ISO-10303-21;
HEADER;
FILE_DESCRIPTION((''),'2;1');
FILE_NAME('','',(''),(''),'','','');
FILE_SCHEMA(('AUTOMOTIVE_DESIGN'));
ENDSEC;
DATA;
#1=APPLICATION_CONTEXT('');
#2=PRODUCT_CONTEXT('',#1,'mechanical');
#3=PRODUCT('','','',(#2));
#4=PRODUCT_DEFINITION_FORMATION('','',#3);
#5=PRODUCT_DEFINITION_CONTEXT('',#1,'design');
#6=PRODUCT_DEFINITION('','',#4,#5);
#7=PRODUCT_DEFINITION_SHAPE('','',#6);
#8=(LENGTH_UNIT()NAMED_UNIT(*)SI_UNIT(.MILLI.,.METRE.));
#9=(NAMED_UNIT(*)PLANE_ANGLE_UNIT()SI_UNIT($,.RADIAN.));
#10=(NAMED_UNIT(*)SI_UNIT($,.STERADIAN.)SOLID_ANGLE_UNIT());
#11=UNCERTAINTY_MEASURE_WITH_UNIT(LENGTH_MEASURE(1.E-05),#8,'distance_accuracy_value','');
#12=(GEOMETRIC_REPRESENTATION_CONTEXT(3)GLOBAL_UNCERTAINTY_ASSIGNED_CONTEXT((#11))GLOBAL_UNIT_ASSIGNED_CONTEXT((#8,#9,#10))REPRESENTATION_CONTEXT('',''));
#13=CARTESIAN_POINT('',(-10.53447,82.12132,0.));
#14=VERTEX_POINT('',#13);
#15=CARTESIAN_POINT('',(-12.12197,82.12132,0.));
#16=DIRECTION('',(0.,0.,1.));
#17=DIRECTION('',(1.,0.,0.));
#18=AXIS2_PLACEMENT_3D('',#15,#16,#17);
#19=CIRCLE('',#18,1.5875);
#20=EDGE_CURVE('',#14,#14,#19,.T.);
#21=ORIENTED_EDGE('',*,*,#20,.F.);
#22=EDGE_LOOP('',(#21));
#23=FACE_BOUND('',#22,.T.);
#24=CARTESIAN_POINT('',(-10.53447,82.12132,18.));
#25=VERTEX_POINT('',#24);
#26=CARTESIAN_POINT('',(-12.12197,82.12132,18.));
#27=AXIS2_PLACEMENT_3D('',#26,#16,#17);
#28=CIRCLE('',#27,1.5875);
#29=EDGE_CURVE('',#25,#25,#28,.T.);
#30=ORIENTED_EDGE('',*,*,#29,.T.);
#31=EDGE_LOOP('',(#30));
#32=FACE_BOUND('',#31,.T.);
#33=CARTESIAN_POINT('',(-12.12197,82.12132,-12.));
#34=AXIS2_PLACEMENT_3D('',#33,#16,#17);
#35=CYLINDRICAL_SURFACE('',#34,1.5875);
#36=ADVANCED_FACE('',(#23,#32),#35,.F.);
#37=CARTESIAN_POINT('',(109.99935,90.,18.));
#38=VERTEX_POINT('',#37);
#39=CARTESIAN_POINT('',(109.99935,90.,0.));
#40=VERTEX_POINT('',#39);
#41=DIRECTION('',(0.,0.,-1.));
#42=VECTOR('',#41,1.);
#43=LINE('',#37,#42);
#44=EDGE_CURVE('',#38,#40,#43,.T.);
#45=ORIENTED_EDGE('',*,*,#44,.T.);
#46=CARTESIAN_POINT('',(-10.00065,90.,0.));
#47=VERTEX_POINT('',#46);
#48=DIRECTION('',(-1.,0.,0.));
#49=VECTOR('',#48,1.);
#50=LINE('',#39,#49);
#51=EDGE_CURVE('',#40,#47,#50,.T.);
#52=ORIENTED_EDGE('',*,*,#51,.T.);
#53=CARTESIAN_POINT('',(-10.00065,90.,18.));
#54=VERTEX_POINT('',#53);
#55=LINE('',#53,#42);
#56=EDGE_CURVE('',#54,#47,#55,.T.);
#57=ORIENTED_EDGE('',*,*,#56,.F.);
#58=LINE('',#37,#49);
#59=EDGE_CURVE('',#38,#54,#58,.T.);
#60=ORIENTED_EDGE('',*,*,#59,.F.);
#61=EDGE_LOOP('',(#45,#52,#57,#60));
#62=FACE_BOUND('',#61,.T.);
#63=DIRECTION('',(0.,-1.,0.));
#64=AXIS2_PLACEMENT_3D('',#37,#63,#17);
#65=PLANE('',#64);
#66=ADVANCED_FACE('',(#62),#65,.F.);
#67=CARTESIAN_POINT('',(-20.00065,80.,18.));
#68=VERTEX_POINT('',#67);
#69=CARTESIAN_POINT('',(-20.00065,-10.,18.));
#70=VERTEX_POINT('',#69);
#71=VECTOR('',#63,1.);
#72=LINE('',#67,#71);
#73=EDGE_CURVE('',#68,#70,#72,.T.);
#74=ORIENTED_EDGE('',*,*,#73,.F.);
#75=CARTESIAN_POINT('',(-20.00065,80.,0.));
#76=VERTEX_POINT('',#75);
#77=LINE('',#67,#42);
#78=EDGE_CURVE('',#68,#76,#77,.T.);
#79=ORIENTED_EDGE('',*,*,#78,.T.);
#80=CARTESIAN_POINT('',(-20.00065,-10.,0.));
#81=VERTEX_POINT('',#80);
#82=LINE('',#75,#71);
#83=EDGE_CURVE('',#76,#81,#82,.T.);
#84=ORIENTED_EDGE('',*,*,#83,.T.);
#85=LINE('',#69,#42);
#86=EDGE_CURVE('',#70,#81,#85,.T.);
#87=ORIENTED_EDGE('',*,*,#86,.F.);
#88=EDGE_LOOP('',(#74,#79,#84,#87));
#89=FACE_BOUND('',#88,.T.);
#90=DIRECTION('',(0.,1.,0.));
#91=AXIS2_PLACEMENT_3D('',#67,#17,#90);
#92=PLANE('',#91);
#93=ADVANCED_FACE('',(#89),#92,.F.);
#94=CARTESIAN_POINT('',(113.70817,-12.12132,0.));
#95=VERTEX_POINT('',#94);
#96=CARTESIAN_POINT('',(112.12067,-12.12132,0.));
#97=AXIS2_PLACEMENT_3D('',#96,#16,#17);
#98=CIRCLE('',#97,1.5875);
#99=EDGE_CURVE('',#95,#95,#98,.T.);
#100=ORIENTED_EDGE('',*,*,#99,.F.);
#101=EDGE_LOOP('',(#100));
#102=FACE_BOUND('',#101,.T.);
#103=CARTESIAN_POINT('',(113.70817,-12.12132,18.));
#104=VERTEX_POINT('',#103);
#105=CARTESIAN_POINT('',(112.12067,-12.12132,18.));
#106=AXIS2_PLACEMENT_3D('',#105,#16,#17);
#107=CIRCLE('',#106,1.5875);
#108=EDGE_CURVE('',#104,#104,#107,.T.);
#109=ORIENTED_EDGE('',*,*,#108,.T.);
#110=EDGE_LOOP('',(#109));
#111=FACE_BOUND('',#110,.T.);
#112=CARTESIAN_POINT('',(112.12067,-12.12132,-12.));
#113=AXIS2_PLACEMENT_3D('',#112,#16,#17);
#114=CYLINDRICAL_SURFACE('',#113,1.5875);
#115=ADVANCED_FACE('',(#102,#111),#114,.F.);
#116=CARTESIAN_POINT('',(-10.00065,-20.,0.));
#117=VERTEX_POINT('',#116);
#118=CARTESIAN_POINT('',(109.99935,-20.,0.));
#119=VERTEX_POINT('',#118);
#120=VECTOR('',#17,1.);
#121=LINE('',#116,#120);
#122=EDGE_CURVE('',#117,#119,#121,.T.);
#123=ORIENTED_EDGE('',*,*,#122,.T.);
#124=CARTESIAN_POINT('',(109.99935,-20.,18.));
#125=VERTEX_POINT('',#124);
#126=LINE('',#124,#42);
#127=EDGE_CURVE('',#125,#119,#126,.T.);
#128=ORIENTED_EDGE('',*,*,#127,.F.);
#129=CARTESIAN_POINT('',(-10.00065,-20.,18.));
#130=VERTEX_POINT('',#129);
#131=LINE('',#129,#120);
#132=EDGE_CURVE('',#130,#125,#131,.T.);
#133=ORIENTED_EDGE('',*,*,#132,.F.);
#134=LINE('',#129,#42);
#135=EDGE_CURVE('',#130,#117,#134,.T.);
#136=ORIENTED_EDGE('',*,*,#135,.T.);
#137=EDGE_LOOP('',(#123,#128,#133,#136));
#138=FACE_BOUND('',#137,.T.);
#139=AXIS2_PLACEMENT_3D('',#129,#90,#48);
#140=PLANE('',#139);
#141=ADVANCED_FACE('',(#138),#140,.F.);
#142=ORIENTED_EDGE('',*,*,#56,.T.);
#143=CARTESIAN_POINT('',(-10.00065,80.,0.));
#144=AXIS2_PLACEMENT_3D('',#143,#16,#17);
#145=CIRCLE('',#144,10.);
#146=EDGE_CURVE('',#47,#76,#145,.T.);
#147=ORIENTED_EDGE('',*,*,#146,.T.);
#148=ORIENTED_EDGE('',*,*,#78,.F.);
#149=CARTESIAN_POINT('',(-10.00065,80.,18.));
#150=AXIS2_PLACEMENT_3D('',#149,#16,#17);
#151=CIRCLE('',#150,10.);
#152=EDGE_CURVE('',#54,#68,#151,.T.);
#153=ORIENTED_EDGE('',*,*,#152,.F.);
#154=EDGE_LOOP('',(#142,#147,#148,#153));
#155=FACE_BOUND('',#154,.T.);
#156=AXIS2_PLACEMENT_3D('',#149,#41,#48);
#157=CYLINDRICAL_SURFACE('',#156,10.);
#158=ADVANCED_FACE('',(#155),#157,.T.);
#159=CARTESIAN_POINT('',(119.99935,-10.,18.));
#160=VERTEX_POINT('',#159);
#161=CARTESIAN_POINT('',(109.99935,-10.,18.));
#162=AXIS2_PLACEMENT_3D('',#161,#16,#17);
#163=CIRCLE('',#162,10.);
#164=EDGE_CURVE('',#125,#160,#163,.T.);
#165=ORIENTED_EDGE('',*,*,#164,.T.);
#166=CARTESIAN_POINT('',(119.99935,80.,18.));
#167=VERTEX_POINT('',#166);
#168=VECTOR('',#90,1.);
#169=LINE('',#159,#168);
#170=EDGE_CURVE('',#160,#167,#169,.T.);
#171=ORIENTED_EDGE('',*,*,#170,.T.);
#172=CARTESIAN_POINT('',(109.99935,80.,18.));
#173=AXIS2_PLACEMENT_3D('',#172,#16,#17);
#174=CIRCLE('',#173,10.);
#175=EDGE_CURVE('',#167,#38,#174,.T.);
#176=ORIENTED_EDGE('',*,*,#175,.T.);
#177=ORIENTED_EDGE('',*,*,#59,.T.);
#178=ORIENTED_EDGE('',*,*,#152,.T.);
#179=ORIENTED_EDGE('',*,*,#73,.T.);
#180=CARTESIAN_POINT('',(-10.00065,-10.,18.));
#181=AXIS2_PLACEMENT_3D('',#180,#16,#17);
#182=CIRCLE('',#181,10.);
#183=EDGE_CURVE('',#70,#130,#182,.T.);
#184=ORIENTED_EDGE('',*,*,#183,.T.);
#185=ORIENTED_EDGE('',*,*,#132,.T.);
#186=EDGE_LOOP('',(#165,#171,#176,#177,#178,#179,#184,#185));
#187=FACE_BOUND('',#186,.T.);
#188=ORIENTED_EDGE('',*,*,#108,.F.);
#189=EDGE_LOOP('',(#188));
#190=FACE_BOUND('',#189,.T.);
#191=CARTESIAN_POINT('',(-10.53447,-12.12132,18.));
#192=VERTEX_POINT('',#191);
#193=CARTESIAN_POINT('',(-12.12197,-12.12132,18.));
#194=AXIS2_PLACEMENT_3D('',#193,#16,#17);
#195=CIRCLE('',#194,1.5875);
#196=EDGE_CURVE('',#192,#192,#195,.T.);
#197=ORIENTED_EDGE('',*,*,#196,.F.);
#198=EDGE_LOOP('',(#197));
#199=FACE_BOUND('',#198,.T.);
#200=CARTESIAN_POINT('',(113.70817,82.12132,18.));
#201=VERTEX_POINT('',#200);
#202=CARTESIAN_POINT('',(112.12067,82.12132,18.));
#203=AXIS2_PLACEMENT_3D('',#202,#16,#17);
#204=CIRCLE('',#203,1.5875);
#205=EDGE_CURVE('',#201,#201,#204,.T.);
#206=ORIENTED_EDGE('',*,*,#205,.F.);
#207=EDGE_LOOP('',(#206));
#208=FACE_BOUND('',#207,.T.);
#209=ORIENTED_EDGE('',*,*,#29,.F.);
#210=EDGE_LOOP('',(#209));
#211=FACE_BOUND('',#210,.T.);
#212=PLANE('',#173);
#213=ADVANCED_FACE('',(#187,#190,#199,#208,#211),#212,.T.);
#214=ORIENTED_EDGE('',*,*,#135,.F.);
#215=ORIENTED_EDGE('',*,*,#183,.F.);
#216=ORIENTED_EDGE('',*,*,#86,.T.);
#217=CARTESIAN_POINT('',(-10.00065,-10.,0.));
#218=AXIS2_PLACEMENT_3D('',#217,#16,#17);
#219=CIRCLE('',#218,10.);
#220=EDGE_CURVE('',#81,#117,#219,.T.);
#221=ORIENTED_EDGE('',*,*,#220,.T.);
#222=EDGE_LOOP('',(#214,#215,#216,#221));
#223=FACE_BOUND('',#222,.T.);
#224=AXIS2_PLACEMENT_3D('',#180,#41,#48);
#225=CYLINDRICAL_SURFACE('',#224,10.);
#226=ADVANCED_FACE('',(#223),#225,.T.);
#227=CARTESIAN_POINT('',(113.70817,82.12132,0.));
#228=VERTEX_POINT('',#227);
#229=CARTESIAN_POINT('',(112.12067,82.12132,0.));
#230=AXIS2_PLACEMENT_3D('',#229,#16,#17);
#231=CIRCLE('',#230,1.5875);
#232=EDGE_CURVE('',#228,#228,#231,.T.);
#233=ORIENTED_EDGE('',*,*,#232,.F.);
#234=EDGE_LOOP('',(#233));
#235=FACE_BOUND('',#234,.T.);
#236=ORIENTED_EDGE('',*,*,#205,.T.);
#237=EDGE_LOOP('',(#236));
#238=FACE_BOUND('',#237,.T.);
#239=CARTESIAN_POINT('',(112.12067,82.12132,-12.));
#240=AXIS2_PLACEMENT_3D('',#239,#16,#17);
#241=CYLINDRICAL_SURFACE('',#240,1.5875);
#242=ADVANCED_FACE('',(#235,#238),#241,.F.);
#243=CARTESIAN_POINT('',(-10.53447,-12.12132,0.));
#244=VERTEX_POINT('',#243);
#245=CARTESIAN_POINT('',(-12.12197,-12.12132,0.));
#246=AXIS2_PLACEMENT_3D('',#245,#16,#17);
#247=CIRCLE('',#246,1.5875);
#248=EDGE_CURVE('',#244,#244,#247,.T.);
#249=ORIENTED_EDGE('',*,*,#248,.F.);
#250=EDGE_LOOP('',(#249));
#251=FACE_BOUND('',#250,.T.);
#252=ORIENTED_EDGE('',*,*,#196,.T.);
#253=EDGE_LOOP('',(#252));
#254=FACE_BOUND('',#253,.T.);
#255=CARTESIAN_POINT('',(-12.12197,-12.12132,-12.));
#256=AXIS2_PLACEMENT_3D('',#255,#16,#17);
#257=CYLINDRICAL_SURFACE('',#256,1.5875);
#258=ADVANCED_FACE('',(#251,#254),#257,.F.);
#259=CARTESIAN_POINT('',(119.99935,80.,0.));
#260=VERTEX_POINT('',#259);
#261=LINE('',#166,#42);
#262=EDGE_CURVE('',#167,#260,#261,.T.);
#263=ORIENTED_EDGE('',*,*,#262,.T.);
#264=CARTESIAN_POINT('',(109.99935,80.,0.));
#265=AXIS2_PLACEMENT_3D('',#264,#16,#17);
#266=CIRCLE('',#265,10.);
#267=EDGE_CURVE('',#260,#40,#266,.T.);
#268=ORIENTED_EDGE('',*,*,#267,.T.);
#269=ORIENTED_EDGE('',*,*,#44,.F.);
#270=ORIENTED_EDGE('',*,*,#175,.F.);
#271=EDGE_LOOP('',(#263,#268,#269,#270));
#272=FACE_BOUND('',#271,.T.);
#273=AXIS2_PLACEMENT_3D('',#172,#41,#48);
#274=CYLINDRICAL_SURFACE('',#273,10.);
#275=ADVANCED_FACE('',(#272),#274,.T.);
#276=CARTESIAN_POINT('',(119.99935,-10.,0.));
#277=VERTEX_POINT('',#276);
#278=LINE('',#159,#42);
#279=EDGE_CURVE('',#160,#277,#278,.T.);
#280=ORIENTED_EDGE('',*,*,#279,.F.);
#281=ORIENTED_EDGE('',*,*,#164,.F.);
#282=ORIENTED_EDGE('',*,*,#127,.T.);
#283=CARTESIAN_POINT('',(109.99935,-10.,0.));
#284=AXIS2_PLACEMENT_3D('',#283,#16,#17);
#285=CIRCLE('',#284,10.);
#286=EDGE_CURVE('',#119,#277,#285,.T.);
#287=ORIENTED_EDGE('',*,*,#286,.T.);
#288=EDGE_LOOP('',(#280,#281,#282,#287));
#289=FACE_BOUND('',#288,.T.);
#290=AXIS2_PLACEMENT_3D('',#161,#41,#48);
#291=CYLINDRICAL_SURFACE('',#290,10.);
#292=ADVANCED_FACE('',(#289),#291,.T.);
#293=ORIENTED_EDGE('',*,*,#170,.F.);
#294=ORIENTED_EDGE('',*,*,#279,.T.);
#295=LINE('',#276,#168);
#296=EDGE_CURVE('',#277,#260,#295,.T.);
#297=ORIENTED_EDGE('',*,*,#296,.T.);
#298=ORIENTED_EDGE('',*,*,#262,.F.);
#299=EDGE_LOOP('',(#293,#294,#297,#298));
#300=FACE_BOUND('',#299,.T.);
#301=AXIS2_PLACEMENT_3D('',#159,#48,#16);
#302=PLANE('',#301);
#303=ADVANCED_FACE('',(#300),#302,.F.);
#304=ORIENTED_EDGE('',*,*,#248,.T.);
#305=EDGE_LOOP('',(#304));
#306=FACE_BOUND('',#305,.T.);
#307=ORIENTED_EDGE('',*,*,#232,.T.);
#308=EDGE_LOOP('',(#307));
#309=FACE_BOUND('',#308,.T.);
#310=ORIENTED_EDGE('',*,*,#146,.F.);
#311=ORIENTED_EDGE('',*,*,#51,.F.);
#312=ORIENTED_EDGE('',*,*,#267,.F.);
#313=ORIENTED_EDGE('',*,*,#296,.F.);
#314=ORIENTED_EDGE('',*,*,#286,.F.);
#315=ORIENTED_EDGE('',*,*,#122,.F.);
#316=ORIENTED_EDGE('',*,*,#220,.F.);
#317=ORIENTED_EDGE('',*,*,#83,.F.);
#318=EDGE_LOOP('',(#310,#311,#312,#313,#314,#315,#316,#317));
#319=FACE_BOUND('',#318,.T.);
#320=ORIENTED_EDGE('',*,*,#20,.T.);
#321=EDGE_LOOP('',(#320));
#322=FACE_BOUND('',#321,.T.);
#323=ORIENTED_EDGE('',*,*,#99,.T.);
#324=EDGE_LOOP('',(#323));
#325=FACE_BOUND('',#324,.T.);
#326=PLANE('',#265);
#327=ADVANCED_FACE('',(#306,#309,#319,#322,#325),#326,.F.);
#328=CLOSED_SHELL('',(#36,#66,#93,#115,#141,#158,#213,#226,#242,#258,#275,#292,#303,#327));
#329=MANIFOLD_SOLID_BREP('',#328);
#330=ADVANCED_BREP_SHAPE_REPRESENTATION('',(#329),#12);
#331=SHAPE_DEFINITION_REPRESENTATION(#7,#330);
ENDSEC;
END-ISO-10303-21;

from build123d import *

# Parameters (mm, degrees)
BOSS_EXTRUDE1_DEPTH = 18
SKETCH2_R           = 1.5875
CUT_EXTRUDE1_DEPTH  = 30


with BuildPart() as part:
    # Sketch1 → Boss-Extrude1 (new body)
    with BuildSketch(Plane.XY):
        with BuildLine():
            Line((109.99935, 90), (-10.00065, 90))
            ThreePointArc((-10.00065, 90), (-17.071717812, 87.071067812), (-20.00065, 80))
            Line((-20.00065, 80), (-20.00065, -10))
            ThreePointArc((-20.00065, -10), (-17.071717812, -17.071067812), (-10.00065, -20))
            Line((-10.00065, -20), (109.99935, -20))
            ThreePointArc((109.99935, -20), (117.070417812, -17.071067812), (119.99935, -10))
            Line((119.99935, -10), (119.99935, 80))
            ThreePointArc((119.99935, 80), (117.070417812, 87.071067812), (109.99935, 90))
        make_face()
    extrude(amount=BOSS_EXTRUDE1_DEPTH)

    # Sketch2 → Cut-Extrude1 (cut)
    with BuildSketch(Plane.XY.offset(18)):
        with Locations((-12.121970344, 82.121320344)):
            Circle(SKETCH2_R)
        with Locations((-12.121970344, -12.121320344)):
            Circle(SKETCH2_R)
        with Locations((112.120670344, 82.121320344)):
            Circle(SKETCH2_R)
        with Locations((112.120670344, -12.121320344)):
            Circle(SKETCH2_R)
    extrude(amount=-CUT_EXTRUDE1_DEPTH, mode=Mode.SUBTRACT)


solid = part.part
